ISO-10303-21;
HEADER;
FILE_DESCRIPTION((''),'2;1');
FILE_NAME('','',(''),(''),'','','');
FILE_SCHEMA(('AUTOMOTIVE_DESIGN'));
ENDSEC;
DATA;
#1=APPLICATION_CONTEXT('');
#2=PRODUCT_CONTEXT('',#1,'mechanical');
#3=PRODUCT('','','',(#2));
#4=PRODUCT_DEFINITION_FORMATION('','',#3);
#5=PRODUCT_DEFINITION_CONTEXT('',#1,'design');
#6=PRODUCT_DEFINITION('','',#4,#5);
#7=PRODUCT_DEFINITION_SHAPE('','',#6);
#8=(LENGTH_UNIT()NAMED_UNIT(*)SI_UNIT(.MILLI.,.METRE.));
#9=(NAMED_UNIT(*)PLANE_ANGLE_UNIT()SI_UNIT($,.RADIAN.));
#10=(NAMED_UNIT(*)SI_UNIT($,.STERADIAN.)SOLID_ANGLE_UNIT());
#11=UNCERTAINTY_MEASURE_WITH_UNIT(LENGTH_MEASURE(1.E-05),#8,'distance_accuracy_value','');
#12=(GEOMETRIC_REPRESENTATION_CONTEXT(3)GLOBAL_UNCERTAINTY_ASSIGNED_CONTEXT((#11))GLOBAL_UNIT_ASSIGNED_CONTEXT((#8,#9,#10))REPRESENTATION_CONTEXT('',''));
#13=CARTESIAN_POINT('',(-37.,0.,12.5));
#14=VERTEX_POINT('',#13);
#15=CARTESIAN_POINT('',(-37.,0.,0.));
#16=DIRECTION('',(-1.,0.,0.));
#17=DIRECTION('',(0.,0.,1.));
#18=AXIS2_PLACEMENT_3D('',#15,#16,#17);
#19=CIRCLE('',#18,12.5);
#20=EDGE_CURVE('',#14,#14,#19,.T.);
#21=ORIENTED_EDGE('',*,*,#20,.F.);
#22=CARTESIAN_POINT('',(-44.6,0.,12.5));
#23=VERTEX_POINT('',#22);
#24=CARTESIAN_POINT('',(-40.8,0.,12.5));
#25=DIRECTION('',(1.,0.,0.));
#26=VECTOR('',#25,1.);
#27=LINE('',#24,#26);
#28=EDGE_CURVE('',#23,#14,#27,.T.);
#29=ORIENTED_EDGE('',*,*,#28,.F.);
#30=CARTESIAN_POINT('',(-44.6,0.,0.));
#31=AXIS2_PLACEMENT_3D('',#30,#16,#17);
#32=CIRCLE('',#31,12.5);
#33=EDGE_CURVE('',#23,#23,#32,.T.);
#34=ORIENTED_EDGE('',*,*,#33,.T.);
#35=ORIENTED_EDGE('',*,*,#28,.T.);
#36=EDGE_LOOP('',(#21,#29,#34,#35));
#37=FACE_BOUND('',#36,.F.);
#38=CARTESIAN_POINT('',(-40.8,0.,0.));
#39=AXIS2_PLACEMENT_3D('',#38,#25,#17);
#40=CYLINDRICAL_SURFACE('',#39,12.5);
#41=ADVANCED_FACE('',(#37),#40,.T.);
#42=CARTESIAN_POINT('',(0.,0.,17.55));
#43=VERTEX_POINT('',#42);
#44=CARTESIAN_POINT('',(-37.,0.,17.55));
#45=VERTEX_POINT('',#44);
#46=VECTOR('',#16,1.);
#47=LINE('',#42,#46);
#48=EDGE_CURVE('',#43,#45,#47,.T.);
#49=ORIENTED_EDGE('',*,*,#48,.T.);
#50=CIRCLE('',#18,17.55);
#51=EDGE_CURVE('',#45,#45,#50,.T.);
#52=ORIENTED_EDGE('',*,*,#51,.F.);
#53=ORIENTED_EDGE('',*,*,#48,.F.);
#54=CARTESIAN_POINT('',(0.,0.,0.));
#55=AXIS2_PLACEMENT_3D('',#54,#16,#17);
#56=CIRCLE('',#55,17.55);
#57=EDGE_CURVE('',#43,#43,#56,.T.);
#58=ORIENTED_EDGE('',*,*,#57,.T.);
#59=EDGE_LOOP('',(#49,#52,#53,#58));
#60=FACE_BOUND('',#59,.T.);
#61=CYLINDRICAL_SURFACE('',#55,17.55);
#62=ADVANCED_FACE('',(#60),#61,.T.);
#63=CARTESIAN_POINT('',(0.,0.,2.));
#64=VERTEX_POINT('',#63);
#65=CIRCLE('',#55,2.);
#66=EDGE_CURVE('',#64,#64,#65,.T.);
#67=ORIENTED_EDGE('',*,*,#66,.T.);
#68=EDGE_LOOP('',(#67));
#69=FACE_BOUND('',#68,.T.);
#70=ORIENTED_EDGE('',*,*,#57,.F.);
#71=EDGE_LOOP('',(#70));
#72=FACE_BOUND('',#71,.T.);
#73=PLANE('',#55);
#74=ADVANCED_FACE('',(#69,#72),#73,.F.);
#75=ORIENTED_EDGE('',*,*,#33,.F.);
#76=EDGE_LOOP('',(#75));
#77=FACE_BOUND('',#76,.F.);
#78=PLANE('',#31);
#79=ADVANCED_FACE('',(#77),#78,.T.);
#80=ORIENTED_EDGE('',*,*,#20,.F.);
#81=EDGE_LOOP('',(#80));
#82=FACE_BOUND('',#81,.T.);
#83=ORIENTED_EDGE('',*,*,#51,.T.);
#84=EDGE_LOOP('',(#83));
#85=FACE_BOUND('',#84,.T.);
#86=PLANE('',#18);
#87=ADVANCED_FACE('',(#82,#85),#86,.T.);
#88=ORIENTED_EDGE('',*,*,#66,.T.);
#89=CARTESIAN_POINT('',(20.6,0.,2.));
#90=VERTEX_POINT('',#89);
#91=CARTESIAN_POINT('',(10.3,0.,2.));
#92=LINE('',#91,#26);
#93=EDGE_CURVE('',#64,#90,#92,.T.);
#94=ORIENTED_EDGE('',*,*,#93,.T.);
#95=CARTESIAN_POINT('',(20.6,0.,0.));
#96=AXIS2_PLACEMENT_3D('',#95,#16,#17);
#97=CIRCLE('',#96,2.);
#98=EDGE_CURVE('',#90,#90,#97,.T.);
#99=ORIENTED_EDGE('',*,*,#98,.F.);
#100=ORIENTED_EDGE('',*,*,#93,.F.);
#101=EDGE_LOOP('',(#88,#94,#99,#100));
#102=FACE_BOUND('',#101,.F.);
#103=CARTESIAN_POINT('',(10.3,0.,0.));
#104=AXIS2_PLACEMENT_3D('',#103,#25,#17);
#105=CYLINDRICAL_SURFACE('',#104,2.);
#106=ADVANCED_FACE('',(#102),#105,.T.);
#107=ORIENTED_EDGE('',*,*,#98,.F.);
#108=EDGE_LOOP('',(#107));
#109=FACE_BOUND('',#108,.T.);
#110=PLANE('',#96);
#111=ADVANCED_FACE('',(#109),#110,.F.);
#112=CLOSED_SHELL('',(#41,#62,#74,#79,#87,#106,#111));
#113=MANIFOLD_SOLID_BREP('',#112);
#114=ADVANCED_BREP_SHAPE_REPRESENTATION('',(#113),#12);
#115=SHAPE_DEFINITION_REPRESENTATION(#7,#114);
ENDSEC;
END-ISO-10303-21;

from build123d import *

# Parameters (mm, degrees)
F0_W   = 7.6
F0_H   = 12.5
F0_W_2 = 20.6
F0_H_2 = 2


with BuildPart() as f1:
    # F0 (on Front) → F1 (revolve)
    with BuildSketch(Plane.XZ):
        with Locations((-40.8, 6.25)):
            Rectangle(F0_W, F0_H)
        Polygon((0, 17.55), (-37, 17.55), (-37, 12.5), (-37, 0), (0, 0), (0, 2), align=None)
        with Locations((10.3, 1)):
            Rectangle(F0_W_2, F0_H_2)
    revolve(axis=Axis((-22.3, 0, 0), (-1, 0, 0)))


solid = f1.part
